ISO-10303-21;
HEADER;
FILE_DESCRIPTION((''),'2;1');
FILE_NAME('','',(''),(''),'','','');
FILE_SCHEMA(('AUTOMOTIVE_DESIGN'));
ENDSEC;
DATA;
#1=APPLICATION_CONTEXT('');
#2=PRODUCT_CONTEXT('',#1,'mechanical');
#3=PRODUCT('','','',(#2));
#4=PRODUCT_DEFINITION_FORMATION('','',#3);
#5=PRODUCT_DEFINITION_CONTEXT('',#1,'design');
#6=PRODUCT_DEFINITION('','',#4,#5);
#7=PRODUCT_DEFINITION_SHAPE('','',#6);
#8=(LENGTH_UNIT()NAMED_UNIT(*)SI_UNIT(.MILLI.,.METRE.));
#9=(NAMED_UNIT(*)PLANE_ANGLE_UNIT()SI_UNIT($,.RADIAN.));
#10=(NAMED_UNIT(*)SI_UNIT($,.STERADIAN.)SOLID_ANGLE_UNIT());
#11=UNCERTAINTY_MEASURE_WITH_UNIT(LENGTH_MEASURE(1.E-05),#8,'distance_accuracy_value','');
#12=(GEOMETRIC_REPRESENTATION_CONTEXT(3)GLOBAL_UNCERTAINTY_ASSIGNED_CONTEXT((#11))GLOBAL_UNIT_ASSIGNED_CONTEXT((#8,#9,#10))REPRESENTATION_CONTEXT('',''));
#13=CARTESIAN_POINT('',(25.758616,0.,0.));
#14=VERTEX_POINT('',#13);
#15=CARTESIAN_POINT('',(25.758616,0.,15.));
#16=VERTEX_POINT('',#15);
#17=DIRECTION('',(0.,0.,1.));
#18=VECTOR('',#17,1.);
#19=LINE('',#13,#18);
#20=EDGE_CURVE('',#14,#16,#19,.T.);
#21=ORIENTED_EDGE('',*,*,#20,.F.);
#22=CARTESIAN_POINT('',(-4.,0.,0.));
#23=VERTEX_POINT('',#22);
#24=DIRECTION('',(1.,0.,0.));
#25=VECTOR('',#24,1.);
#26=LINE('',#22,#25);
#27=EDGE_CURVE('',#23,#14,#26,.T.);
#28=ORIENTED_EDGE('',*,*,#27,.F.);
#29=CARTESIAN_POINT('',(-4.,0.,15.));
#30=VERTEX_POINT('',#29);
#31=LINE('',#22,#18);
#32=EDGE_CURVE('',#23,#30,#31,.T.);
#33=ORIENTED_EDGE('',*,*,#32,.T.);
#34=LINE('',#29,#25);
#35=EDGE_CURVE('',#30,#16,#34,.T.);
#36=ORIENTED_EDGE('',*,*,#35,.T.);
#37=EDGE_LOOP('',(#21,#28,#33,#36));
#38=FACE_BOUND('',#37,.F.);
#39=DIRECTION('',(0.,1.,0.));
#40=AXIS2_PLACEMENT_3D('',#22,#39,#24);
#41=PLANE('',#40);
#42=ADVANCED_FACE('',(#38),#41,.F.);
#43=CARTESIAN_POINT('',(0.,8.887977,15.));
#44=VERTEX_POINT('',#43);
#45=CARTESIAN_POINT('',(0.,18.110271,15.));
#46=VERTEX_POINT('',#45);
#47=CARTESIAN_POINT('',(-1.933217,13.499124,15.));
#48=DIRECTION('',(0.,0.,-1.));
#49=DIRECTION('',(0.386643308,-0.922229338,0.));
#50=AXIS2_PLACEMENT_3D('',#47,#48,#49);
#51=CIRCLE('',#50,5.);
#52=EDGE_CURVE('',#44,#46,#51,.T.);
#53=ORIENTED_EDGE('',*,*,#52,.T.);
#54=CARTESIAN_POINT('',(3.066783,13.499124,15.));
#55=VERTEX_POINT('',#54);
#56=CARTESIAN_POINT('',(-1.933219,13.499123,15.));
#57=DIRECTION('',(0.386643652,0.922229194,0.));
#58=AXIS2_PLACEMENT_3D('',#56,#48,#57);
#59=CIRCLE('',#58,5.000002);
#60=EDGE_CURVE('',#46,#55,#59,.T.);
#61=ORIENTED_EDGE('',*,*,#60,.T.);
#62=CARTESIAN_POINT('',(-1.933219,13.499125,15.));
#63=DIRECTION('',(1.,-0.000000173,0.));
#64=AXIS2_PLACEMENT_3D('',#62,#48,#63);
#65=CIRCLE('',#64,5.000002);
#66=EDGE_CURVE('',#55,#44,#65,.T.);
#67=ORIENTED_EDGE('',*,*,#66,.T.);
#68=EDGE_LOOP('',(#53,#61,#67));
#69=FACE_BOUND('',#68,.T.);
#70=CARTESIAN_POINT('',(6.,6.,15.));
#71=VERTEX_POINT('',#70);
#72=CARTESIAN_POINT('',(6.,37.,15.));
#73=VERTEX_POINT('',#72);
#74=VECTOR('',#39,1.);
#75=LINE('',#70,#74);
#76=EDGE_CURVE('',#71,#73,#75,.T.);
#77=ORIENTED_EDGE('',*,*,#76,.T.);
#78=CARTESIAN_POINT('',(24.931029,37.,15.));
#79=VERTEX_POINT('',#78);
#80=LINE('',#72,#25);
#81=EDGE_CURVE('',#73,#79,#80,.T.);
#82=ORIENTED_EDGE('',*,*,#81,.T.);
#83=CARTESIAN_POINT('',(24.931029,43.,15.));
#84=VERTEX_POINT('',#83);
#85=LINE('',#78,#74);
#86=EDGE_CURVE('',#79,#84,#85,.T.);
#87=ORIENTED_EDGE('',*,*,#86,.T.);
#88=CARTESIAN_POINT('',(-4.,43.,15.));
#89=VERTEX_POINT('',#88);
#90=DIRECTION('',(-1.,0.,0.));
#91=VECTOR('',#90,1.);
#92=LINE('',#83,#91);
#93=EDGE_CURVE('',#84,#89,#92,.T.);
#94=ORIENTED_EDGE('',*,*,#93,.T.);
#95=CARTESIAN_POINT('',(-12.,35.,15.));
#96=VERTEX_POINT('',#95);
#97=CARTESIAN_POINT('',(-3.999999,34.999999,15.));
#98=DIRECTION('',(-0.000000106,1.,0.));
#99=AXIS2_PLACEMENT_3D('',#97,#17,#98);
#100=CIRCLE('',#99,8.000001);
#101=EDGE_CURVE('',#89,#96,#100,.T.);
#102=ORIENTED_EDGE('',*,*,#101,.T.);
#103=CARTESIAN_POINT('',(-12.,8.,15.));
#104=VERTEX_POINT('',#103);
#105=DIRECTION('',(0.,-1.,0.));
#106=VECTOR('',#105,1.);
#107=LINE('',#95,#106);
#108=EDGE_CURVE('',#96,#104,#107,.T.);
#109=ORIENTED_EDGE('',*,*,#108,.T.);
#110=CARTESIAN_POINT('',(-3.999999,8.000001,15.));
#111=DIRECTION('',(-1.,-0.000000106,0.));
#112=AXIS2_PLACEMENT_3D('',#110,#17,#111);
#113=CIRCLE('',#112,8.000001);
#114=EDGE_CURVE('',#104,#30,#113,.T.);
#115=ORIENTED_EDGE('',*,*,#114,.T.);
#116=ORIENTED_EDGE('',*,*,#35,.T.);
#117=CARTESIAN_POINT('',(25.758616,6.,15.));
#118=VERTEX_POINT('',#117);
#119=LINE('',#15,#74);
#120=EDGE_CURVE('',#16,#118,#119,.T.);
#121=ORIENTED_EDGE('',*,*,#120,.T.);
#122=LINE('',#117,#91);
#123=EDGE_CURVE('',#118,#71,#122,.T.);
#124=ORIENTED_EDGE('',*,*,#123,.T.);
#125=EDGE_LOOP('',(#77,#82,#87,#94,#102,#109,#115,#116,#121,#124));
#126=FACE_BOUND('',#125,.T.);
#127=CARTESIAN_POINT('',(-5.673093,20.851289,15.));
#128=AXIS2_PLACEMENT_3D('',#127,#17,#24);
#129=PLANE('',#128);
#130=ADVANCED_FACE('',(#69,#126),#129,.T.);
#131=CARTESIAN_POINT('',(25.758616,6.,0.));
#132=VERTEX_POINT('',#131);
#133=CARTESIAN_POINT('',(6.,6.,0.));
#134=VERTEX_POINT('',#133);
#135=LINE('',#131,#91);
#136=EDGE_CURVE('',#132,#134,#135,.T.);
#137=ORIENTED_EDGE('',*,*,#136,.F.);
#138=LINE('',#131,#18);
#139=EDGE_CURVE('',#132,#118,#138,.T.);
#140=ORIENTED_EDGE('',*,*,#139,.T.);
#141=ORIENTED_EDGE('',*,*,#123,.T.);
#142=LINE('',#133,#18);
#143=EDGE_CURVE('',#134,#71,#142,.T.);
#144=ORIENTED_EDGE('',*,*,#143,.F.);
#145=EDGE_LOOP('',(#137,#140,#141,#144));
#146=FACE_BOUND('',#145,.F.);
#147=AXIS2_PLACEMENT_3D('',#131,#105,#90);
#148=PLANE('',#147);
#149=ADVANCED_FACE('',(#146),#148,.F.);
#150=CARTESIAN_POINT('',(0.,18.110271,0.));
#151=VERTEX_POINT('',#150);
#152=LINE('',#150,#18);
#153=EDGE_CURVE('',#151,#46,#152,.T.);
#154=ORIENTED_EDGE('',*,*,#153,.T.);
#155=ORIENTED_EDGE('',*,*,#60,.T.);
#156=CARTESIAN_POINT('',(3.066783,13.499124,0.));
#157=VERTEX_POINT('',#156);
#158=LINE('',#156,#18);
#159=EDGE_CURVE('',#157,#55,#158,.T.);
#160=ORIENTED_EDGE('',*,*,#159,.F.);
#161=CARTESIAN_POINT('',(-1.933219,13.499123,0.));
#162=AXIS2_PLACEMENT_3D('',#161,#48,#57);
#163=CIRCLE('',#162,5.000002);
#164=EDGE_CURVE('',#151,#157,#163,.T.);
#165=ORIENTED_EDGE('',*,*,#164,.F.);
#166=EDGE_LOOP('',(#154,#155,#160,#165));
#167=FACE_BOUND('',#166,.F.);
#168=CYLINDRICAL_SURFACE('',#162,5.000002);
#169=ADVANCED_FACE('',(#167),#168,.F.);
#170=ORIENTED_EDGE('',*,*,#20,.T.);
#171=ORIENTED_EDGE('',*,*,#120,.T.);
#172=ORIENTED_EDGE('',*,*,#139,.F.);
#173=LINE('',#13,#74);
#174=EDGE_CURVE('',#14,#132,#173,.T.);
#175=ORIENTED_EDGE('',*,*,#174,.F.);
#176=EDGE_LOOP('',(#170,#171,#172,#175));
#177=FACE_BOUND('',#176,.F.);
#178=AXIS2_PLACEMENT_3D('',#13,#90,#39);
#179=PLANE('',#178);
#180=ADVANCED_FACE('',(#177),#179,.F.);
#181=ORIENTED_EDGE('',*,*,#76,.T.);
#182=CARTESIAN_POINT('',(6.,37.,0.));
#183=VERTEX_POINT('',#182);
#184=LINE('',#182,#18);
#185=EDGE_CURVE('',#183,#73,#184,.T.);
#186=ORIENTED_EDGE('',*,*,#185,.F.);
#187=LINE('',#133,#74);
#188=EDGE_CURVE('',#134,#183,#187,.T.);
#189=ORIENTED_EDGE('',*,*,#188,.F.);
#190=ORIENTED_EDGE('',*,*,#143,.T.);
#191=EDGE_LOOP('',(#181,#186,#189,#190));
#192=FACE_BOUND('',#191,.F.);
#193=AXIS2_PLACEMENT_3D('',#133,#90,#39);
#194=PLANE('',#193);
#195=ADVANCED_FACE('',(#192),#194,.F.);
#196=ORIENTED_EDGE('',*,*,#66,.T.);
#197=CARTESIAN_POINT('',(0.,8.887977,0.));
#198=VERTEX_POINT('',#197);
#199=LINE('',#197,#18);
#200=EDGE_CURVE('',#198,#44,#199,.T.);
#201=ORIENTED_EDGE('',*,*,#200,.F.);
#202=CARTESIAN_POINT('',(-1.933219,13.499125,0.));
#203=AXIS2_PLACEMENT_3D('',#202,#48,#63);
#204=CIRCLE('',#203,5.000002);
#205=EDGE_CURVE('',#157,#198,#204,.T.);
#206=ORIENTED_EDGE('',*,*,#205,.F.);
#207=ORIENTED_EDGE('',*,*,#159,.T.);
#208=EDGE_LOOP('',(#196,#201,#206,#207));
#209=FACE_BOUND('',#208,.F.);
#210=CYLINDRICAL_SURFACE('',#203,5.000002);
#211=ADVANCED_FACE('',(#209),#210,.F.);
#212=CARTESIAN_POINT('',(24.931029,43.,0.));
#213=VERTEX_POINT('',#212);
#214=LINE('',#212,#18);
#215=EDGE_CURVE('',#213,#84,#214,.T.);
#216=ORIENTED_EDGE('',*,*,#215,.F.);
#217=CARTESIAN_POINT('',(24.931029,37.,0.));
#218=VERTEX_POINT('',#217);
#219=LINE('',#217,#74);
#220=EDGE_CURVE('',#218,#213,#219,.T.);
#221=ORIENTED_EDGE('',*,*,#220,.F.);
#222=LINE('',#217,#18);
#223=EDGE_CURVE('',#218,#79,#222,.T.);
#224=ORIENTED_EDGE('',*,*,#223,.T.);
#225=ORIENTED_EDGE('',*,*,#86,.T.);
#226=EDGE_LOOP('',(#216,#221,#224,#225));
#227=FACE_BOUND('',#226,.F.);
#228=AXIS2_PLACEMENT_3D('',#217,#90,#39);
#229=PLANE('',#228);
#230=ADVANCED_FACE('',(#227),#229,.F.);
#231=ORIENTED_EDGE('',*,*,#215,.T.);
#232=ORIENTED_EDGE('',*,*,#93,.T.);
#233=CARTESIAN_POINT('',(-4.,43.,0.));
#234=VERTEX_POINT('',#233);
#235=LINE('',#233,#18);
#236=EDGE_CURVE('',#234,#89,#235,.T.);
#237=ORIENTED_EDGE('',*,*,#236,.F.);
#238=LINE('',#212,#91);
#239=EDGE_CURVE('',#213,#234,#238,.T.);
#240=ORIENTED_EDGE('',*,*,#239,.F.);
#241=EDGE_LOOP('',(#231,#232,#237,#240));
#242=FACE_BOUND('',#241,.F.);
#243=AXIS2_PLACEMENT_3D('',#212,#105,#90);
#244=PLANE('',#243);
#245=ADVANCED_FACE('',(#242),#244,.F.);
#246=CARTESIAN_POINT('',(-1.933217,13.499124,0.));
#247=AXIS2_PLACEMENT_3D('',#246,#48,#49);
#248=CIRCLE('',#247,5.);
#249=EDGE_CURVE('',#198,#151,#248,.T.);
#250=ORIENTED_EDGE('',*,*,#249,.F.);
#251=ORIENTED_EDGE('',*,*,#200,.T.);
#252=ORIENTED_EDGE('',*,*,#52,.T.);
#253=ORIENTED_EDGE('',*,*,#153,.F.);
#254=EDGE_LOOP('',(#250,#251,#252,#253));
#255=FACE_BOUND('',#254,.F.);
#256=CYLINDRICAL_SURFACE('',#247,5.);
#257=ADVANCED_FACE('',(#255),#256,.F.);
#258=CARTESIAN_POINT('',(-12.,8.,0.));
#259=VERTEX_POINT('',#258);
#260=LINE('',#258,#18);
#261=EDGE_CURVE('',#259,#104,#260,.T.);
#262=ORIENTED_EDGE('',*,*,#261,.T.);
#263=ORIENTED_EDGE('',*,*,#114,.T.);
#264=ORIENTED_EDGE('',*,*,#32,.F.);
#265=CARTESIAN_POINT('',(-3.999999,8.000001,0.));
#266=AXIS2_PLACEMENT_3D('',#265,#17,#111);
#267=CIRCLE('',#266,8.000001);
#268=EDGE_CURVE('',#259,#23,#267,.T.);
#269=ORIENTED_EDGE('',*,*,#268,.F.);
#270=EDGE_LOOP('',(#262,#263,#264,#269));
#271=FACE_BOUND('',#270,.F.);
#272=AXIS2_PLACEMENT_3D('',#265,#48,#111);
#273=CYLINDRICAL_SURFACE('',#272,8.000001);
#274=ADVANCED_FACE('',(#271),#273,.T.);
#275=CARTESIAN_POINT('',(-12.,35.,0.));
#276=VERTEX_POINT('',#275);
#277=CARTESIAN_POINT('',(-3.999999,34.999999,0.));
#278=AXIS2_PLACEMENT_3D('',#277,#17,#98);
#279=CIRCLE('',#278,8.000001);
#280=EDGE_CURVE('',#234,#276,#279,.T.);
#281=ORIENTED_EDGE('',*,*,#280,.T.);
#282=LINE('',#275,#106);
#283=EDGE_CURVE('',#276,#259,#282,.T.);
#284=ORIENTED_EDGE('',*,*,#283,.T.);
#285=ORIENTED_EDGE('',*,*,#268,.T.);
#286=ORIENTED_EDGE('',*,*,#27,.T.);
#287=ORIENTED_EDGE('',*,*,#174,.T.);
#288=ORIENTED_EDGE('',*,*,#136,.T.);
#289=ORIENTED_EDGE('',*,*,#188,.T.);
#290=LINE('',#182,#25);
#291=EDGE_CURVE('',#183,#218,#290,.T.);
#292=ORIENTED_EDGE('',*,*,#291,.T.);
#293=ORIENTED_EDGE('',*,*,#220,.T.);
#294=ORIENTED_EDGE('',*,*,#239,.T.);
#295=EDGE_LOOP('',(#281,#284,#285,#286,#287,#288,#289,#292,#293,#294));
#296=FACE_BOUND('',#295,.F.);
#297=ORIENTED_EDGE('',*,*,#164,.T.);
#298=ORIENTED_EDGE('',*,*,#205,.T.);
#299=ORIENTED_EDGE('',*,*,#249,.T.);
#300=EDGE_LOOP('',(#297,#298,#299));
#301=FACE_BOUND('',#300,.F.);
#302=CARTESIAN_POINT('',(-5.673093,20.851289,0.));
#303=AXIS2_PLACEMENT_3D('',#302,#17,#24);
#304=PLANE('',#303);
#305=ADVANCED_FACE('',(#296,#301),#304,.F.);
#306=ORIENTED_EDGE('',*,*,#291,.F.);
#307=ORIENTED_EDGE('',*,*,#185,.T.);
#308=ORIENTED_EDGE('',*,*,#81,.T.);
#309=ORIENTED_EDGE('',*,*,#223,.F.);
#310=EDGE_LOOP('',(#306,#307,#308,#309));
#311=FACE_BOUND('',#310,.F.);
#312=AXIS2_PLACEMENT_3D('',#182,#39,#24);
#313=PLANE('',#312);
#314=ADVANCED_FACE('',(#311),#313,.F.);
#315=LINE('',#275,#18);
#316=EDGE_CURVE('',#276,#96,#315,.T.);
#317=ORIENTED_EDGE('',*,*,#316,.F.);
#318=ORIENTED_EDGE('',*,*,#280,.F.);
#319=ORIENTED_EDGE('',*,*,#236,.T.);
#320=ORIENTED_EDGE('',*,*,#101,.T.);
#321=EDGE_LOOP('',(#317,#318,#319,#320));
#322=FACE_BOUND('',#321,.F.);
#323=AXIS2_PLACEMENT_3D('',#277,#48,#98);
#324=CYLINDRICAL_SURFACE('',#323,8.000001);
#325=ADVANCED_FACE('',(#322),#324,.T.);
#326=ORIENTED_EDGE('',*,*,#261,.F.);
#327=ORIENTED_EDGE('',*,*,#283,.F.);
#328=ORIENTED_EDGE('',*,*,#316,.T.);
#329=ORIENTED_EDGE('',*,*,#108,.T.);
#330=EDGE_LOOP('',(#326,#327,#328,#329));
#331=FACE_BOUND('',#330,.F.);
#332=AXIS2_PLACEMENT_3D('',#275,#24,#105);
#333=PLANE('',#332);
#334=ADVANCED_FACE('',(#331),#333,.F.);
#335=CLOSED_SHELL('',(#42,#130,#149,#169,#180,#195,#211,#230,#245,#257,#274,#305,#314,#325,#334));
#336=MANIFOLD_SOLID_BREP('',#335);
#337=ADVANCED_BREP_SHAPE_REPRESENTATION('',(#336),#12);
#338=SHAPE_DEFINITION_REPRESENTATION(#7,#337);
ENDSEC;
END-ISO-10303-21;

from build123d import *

# Parameters (mm, degrees)
F1_DEPTH = 15


with BuildPart() as f1:
    # F0 (on Top) → F1 (new body)
    with BuildSketch(Plane.XY):
        with BuildLine():
            Line((0, 18.110271), (0, 43))
            Line((0, 43), (-4, 43))
            ThreePointArc((-4, 43), (-9.656854, 40.656854), (-12, 35))
            Line((-12, 35), (-12, 8))
            ThreePointArc((-12, 8), (-9.656854, 2.343146), (-4, 0))
            Line((-4, 0), (0, 0))
            Line((0, 0), (0, 8.887977))
            ThreePointArc((0, 8.887977), (-6.933217, 13.499124), (0, 18.110271))
        make_face()
        with BuildLine():
            Line((6, 37), (24.931029, 37))
            Line((24.931029, 37), (24.931029, 43))
            Line((24.931029, 43), (0, 43))
            Line((0, 43), (0, 18.110271))
            ThreePointArc((0, 18.110271), (2.23008, 16.268051), (3.066783, 13.499124))
            ThreePointArc((3.066783, 13.499124), (2.23008, 10.730197), (0, 8.887977))
            Line((0, 8.887977), (0, 0))
            Line((0, 0), (25.758616, 0))
            Line((25.758616, 0), (25.758616, 6))
            Line((25.758616, 6), (6, 6))
            Line((6, 6), (6, 37))
        make_face()
    extrude(amount=F1_DEPTH)


solid = f1.part
